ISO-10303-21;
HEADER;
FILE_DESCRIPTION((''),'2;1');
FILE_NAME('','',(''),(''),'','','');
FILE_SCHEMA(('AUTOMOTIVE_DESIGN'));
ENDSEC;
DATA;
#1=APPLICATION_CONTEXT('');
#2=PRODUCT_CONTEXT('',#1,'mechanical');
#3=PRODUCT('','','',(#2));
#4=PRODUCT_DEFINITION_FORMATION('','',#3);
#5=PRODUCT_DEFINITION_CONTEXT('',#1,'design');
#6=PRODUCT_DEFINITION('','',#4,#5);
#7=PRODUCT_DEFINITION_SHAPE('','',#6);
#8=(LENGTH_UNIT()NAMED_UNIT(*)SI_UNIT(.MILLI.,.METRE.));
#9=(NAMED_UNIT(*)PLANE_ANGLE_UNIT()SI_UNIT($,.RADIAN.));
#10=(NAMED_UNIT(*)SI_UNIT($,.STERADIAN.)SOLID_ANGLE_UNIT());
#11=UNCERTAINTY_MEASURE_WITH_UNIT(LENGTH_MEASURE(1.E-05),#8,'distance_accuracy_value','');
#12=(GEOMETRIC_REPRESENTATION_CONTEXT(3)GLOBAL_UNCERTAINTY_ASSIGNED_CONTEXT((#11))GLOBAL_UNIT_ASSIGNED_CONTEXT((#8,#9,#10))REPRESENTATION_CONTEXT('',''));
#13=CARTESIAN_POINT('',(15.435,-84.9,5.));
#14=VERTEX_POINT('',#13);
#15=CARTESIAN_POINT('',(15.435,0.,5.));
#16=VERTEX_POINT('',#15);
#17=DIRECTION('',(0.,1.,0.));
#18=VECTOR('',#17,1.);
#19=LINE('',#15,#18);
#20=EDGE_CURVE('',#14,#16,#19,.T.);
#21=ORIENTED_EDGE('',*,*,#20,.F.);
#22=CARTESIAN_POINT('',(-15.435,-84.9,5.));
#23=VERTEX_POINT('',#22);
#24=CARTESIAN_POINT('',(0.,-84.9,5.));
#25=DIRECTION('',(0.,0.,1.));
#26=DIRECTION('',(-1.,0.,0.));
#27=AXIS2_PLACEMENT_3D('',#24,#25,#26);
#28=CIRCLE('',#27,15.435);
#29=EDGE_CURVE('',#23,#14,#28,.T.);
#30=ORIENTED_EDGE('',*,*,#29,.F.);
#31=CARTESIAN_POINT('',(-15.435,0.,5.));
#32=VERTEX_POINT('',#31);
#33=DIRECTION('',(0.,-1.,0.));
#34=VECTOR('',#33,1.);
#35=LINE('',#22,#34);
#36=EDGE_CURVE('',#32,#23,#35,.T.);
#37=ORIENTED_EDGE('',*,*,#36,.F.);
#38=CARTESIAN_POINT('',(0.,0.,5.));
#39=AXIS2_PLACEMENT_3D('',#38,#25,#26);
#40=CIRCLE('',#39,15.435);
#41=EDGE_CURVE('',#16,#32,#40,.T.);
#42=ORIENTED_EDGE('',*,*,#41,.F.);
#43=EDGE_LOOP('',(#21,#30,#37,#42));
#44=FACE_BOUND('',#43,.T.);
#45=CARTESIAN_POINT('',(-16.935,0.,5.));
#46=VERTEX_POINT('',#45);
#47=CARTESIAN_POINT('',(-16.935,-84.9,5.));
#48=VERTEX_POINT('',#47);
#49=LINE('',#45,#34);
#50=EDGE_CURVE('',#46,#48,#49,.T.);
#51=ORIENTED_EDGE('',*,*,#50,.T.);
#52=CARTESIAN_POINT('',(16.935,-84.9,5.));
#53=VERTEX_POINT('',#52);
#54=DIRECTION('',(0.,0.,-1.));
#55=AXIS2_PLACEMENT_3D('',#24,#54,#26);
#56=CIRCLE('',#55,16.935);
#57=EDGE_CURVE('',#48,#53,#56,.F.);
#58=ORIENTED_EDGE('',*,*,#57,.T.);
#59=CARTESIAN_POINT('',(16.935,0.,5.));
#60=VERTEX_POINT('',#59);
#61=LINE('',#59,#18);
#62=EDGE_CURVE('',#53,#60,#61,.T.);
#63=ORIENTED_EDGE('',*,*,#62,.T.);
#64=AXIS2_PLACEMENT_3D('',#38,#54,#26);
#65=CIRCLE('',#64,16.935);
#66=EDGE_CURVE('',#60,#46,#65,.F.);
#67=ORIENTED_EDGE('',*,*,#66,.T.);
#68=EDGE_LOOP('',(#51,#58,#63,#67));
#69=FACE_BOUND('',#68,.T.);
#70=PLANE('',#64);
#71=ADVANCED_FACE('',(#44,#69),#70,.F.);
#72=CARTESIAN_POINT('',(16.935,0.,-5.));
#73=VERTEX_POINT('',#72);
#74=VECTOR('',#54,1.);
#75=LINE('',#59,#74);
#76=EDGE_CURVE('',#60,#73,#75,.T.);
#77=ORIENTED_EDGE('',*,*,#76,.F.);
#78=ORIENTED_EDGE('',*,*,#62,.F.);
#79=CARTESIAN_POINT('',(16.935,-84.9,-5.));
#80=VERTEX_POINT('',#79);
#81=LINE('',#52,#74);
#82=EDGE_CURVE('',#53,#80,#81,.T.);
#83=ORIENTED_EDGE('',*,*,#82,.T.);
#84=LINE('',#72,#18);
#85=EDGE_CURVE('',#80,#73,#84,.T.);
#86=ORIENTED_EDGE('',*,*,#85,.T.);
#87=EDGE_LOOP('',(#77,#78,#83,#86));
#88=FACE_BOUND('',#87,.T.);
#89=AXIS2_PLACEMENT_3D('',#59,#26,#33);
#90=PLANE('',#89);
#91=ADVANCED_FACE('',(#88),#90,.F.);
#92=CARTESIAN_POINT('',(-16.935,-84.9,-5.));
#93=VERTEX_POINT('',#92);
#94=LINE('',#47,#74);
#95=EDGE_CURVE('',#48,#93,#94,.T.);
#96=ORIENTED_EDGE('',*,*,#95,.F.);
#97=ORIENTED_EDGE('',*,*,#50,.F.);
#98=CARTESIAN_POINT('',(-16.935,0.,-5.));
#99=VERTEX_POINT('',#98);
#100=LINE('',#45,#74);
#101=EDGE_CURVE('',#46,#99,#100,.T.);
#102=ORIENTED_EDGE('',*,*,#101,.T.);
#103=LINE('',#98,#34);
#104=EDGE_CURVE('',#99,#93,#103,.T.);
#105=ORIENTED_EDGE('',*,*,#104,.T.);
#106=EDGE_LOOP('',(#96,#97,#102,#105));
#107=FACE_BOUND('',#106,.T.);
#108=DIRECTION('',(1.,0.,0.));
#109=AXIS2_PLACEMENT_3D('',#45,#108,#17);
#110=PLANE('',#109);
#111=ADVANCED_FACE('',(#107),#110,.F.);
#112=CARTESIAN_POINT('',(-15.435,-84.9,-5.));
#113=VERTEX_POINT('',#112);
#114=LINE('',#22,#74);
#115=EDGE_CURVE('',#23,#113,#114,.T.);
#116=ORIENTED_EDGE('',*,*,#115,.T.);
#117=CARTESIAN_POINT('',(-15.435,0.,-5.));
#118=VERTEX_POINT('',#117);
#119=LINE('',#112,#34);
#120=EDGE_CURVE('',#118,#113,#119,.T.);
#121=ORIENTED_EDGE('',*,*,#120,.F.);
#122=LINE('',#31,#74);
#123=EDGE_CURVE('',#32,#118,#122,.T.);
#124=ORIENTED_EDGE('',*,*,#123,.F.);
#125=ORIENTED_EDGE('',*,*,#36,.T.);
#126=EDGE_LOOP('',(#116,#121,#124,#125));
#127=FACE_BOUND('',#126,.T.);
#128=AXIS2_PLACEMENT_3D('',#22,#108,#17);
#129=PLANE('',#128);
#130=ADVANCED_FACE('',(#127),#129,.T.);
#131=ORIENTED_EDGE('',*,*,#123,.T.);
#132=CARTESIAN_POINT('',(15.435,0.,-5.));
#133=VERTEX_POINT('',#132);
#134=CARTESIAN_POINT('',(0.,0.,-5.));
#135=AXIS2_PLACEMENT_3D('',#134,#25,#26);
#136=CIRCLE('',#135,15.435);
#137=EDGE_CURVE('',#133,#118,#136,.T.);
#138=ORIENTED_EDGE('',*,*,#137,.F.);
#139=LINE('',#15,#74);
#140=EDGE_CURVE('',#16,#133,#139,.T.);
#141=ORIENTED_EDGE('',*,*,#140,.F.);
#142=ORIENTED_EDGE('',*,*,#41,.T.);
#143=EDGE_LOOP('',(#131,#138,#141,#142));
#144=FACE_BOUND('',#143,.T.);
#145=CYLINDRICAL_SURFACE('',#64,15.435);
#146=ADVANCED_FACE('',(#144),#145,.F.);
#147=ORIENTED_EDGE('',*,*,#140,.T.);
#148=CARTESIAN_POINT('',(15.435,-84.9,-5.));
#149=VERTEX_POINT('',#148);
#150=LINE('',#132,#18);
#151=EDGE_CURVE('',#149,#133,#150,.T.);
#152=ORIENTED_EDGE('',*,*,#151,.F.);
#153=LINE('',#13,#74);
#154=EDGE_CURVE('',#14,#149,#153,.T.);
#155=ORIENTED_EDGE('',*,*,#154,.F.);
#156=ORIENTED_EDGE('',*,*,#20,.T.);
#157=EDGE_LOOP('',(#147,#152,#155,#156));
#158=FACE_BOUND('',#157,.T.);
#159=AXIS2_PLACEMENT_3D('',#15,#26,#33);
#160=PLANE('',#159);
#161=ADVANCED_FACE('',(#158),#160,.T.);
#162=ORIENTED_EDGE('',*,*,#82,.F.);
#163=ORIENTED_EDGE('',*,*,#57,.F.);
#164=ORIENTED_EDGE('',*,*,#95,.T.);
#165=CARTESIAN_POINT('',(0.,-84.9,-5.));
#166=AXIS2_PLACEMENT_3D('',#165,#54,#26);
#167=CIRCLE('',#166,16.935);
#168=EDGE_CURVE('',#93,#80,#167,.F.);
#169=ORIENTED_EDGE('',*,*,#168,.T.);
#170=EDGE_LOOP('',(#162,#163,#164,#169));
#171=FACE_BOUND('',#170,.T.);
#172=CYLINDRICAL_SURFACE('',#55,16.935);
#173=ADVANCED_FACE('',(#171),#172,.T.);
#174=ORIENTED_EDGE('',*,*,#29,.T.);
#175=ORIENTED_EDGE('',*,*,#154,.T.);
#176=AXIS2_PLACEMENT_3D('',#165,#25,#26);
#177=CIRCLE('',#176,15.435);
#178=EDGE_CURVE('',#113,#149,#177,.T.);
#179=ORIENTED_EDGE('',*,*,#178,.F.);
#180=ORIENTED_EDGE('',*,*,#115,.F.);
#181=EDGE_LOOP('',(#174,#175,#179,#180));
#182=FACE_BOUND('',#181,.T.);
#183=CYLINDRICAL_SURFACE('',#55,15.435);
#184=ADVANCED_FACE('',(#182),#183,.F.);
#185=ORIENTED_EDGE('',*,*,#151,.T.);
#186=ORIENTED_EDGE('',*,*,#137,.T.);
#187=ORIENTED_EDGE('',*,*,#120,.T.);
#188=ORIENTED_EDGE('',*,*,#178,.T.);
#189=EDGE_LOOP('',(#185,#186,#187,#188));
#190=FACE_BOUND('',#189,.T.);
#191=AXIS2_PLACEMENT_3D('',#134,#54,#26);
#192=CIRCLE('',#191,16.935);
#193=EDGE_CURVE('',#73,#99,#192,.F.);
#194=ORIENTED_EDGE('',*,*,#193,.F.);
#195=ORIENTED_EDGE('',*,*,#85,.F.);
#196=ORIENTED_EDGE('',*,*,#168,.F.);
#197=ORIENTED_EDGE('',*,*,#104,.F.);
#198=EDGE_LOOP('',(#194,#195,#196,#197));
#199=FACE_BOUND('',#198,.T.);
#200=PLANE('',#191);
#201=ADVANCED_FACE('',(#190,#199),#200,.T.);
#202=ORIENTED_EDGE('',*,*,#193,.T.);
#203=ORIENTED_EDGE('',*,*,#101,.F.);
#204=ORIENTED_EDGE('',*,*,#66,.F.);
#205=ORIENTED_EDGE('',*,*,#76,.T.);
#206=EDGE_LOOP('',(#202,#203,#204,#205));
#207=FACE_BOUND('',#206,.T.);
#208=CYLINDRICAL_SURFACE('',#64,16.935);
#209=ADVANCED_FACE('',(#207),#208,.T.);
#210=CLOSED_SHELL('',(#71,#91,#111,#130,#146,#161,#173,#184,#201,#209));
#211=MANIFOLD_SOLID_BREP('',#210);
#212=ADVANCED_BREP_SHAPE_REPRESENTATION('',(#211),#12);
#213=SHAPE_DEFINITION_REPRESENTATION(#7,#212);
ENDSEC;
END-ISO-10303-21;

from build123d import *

# Parameters (mm, degrees)
EXTRUDE_1_DEPTH = 5


with BuildPart() as part:
    # 草图2 → 拉伸-薄壁1 (new, symmetric)
    with BuildSketch(Plane.XY):
        with BuildLine():
            Line((-16.935, -84.9), (-16.935, 0))
            ThreePointArc((-16.935, 0), (0, 16.935), (16.935, 0))
            Line((16.935, 0), (16.935, -84.9))
            ThreePointArc((16.935, -84.9), (0, -101.835), (-16.935, -84.9))
        make_face()
        with BuildLine():
            Line((-15.435, -84.9), (-15.435, 0))
            ThreePointArc((-15.435, 0), (0, 15.435), (15.435, 0))
            Line((15.435, 0), (15.435, -84.9))
            ThreePointArc((15.435, -84.9), (0, -100.335), (-15.435, -84.9))
        make_face(mode=Mode.SUBTRACT)
    extrude(amount=EXTRUDE_1_DEPTH, both=True)


solid = part.part
